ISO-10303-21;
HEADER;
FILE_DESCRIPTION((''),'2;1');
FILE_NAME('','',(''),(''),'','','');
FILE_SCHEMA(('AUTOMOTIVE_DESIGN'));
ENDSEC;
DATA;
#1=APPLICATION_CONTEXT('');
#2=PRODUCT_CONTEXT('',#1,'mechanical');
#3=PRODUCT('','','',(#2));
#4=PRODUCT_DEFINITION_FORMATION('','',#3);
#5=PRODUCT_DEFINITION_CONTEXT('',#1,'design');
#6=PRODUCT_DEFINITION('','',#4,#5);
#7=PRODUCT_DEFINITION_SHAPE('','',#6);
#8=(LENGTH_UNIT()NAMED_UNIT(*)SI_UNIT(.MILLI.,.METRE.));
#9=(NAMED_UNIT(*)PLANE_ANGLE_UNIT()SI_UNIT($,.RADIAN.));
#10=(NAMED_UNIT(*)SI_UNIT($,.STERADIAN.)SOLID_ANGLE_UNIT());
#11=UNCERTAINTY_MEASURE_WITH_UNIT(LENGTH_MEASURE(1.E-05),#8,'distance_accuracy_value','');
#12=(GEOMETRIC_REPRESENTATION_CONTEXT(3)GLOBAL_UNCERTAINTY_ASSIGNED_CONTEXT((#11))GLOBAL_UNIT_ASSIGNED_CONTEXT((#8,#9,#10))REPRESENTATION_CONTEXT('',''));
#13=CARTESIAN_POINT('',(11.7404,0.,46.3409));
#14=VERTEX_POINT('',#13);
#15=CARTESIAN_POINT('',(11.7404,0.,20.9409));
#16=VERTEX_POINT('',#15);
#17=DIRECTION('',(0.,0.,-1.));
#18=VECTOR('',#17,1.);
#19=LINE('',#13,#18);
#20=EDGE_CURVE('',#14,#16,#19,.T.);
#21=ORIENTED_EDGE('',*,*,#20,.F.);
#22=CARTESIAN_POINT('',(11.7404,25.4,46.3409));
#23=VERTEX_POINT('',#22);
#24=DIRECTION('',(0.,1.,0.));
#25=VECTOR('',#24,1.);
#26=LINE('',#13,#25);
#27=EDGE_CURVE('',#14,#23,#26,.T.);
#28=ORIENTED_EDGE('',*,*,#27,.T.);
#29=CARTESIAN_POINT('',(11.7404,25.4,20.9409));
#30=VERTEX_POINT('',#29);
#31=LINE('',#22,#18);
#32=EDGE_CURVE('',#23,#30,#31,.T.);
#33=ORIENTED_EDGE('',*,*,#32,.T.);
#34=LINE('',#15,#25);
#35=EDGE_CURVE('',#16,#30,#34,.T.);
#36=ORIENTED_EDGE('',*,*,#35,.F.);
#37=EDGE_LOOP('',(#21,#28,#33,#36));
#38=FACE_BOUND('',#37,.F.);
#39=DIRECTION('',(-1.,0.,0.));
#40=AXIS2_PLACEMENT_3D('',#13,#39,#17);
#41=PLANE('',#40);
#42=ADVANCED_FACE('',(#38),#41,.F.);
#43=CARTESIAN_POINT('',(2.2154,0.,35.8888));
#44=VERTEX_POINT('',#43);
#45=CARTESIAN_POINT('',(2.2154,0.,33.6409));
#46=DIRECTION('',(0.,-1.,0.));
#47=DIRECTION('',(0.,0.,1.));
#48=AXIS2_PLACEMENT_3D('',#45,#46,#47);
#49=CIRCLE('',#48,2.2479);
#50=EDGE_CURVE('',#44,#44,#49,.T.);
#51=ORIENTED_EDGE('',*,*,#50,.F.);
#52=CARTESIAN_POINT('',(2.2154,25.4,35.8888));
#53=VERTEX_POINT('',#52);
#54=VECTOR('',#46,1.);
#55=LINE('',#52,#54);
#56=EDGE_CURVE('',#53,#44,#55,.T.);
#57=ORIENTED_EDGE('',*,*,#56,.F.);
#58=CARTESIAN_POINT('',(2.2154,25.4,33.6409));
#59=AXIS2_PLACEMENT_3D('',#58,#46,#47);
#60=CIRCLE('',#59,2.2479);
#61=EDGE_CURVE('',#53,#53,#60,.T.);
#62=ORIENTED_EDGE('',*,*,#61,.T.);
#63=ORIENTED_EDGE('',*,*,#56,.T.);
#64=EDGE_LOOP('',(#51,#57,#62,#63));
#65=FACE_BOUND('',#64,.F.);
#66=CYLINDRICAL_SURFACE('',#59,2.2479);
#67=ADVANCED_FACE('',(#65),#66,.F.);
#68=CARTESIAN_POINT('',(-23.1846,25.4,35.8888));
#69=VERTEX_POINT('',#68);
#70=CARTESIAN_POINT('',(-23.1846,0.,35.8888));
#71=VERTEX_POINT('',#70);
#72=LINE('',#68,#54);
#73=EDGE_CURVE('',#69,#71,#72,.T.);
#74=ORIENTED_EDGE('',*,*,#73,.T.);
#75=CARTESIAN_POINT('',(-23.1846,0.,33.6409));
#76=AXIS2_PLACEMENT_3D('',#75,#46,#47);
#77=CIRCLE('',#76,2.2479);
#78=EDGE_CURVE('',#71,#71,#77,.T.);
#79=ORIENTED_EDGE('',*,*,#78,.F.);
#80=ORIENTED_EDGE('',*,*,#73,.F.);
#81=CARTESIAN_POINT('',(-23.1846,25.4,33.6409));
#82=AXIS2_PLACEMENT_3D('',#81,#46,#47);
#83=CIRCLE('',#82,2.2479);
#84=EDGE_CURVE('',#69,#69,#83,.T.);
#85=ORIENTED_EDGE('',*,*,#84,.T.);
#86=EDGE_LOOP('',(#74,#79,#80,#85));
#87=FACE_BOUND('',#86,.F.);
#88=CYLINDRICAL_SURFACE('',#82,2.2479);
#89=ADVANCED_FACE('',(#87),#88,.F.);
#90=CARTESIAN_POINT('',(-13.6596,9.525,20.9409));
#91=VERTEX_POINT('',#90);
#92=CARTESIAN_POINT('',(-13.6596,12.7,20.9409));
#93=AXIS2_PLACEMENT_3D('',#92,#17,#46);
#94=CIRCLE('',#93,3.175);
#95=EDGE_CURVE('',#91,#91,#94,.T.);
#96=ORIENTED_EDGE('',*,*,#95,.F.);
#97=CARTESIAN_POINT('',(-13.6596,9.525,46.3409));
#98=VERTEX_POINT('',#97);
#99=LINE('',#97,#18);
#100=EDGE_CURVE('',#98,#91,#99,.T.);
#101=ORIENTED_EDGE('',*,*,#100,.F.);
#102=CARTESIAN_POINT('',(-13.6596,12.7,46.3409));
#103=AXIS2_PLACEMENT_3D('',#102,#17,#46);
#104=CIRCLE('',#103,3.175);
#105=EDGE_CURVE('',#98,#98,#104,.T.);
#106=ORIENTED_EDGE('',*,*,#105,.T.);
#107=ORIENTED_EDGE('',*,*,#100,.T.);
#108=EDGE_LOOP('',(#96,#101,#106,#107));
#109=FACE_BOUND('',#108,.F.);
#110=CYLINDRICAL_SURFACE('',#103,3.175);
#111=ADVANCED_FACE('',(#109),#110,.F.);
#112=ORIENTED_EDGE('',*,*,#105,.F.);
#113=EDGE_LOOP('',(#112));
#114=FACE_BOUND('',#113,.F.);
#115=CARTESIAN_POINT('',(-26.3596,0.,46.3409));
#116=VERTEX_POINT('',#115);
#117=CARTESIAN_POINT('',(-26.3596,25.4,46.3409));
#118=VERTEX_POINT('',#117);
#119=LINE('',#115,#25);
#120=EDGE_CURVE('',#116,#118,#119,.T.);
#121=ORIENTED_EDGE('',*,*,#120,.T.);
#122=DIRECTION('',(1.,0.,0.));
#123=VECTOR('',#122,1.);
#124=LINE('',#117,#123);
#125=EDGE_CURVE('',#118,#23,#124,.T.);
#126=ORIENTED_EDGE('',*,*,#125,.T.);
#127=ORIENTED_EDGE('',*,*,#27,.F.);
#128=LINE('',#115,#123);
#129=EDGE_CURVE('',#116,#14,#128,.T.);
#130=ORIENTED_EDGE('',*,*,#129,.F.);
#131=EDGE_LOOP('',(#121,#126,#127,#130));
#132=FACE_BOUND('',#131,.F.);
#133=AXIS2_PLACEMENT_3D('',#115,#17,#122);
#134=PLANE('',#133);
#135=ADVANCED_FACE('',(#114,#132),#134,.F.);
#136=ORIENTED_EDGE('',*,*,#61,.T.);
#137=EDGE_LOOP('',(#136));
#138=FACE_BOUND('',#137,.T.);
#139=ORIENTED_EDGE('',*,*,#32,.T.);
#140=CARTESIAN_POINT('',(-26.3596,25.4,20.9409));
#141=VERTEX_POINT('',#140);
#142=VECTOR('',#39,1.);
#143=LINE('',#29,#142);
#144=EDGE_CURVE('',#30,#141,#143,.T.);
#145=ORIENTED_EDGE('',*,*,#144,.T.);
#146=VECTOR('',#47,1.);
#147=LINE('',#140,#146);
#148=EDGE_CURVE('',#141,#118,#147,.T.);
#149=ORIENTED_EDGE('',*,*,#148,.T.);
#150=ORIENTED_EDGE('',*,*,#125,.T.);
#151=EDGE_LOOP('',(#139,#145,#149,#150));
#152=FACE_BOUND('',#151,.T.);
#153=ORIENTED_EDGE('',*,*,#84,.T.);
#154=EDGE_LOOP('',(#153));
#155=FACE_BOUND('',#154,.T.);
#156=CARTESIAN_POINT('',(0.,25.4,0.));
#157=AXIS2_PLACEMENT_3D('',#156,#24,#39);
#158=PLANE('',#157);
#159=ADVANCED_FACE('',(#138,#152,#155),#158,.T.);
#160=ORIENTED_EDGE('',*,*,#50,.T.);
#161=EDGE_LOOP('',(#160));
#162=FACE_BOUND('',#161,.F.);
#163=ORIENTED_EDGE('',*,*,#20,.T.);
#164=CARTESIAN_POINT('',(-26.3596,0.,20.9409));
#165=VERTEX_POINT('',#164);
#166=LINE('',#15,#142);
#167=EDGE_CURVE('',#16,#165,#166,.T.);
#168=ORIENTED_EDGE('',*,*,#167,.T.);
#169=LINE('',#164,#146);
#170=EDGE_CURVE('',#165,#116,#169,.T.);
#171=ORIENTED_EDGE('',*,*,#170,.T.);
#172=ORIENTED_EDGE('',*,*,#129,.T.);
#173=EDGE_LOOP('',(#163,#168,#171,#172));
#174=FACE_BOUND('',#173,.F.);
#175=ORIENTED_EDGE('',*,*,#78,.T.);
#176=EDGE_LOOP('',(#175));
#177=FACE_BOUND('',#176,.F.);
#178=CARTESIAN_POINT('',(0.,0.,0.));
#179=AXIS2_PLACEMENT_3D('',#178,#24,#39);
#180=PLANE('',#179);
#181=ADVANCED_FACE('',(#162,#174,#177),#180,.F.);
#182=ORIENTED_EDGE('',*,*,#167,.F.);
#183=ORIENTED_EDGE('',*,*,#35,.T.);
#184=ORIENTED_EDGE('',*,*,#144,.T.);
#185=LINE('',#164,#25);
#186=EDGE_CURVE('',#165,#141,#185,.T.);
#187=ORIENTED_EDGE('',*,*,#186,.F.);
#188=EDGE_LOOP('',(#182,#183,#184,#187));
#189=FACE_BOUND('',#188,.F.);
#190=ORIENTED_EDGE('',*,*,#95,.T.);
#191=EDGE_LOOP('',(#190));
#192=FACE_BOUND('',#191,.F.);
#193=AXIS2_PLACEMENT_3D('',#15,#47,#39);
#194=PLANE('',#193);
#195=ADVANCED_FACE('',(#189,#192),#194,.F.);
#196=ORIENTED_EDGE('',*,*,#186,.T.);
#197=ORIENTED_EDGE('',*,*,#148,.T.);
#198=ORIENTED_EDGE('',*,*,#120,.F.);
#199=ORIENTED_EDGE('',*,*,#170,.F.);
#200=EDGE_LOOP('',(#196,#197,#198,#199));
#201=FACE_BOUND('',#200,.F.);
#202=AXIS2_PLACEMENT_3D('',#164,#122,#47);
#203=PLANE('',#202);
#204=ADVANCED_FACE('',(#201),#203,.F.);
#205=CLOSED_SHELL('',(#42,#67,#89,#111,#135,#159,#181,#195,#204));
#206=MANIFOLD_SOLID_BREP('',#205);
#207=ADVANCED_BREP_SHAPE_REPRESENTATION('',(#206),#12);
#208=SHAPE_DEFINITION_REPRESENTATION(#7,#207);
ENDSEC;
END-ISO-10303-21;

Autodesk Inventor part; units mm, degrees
ref_plane "YZ Plane" through (0, 0, 0) normal (1, 0, 0) x (0, 1, 0)
ref_plane "XZ Plane" through (0, 0, 0) normal (0, 1, 0) x (-1, 0, 0)
ref_plane "XY Plane" through (0, 0, 0) normal (0, 0, 1) x (1, 0, 0)
sketch "Sketch1" plane through (0, 0, 0) normal (0, 1, 0) x (-1, 0, 0)
  line L0 (26.3596, 46.3409) -> (-11.7404, 46.3409)
  line L1 (-11.7404, 46.3409) -> (-11.7404, 20.9409)
  line L2 (-11.7404, 20.9409) -> (26.3596, 20.9409)
  line L3 (26.3596, 20.9409) -> (26.3596, 46.3409)
  point P0 (0, 0)
  dimension "d0" = 25.4
  dimension "d1" = 38.1
extrude "Extrusion1" add sketch "Sketch1" along normal blind 25.4
sketch "Sketch2" plane through (0, 25.4, 0) normal (0, 1, 0) x (1, 0, 0)
  line L0 (-26.3596, -46.3409) -> (11.7404, -46.3409) projected
  line L1 (-26.3596, -20.9409) -> (-26.3596, -46.3409) projected
  point P0 (0, 0)
  point P1 (-23.1846, -33.6409)
  point P2 (2.2154, -33.6409)
  dimension "d4" = 0
  dimension "d5" = 12.7
  dimension "d6" = 3.175
  dimension "d7" = 25.4
hole "Hole1" at (-23.1846, 25.4, 33.6409) at (2.2154, 25.4, 33.6409) direction (0, -1, 0) diameter 4.4958 end through all clearance for "Flat Head Machine Screw (82)" size "#8" standard "Ansi Unified Screw Threads"
sketch "Sketch3" plane through (-26.3596, 0, 46.3409) normal (0, 0, 1) x (1, 0, 0)
  line L0 (0, 0) -> (0, 25.4) projected
  line L1 (0, 25.4) -> (38.1, 25.4) projected
  point P0 (26.3596, 0)
  point P1 (12.7, 12.7)
  dimension "d15" = 12.7
  dimension "d16" = 12.7
hole "Hole2" at (-13.6596, 12.7, 46.3409) direction (0, 0, -1) diameter 6.35 end through all
properties part number "ElevDriveBlock"
